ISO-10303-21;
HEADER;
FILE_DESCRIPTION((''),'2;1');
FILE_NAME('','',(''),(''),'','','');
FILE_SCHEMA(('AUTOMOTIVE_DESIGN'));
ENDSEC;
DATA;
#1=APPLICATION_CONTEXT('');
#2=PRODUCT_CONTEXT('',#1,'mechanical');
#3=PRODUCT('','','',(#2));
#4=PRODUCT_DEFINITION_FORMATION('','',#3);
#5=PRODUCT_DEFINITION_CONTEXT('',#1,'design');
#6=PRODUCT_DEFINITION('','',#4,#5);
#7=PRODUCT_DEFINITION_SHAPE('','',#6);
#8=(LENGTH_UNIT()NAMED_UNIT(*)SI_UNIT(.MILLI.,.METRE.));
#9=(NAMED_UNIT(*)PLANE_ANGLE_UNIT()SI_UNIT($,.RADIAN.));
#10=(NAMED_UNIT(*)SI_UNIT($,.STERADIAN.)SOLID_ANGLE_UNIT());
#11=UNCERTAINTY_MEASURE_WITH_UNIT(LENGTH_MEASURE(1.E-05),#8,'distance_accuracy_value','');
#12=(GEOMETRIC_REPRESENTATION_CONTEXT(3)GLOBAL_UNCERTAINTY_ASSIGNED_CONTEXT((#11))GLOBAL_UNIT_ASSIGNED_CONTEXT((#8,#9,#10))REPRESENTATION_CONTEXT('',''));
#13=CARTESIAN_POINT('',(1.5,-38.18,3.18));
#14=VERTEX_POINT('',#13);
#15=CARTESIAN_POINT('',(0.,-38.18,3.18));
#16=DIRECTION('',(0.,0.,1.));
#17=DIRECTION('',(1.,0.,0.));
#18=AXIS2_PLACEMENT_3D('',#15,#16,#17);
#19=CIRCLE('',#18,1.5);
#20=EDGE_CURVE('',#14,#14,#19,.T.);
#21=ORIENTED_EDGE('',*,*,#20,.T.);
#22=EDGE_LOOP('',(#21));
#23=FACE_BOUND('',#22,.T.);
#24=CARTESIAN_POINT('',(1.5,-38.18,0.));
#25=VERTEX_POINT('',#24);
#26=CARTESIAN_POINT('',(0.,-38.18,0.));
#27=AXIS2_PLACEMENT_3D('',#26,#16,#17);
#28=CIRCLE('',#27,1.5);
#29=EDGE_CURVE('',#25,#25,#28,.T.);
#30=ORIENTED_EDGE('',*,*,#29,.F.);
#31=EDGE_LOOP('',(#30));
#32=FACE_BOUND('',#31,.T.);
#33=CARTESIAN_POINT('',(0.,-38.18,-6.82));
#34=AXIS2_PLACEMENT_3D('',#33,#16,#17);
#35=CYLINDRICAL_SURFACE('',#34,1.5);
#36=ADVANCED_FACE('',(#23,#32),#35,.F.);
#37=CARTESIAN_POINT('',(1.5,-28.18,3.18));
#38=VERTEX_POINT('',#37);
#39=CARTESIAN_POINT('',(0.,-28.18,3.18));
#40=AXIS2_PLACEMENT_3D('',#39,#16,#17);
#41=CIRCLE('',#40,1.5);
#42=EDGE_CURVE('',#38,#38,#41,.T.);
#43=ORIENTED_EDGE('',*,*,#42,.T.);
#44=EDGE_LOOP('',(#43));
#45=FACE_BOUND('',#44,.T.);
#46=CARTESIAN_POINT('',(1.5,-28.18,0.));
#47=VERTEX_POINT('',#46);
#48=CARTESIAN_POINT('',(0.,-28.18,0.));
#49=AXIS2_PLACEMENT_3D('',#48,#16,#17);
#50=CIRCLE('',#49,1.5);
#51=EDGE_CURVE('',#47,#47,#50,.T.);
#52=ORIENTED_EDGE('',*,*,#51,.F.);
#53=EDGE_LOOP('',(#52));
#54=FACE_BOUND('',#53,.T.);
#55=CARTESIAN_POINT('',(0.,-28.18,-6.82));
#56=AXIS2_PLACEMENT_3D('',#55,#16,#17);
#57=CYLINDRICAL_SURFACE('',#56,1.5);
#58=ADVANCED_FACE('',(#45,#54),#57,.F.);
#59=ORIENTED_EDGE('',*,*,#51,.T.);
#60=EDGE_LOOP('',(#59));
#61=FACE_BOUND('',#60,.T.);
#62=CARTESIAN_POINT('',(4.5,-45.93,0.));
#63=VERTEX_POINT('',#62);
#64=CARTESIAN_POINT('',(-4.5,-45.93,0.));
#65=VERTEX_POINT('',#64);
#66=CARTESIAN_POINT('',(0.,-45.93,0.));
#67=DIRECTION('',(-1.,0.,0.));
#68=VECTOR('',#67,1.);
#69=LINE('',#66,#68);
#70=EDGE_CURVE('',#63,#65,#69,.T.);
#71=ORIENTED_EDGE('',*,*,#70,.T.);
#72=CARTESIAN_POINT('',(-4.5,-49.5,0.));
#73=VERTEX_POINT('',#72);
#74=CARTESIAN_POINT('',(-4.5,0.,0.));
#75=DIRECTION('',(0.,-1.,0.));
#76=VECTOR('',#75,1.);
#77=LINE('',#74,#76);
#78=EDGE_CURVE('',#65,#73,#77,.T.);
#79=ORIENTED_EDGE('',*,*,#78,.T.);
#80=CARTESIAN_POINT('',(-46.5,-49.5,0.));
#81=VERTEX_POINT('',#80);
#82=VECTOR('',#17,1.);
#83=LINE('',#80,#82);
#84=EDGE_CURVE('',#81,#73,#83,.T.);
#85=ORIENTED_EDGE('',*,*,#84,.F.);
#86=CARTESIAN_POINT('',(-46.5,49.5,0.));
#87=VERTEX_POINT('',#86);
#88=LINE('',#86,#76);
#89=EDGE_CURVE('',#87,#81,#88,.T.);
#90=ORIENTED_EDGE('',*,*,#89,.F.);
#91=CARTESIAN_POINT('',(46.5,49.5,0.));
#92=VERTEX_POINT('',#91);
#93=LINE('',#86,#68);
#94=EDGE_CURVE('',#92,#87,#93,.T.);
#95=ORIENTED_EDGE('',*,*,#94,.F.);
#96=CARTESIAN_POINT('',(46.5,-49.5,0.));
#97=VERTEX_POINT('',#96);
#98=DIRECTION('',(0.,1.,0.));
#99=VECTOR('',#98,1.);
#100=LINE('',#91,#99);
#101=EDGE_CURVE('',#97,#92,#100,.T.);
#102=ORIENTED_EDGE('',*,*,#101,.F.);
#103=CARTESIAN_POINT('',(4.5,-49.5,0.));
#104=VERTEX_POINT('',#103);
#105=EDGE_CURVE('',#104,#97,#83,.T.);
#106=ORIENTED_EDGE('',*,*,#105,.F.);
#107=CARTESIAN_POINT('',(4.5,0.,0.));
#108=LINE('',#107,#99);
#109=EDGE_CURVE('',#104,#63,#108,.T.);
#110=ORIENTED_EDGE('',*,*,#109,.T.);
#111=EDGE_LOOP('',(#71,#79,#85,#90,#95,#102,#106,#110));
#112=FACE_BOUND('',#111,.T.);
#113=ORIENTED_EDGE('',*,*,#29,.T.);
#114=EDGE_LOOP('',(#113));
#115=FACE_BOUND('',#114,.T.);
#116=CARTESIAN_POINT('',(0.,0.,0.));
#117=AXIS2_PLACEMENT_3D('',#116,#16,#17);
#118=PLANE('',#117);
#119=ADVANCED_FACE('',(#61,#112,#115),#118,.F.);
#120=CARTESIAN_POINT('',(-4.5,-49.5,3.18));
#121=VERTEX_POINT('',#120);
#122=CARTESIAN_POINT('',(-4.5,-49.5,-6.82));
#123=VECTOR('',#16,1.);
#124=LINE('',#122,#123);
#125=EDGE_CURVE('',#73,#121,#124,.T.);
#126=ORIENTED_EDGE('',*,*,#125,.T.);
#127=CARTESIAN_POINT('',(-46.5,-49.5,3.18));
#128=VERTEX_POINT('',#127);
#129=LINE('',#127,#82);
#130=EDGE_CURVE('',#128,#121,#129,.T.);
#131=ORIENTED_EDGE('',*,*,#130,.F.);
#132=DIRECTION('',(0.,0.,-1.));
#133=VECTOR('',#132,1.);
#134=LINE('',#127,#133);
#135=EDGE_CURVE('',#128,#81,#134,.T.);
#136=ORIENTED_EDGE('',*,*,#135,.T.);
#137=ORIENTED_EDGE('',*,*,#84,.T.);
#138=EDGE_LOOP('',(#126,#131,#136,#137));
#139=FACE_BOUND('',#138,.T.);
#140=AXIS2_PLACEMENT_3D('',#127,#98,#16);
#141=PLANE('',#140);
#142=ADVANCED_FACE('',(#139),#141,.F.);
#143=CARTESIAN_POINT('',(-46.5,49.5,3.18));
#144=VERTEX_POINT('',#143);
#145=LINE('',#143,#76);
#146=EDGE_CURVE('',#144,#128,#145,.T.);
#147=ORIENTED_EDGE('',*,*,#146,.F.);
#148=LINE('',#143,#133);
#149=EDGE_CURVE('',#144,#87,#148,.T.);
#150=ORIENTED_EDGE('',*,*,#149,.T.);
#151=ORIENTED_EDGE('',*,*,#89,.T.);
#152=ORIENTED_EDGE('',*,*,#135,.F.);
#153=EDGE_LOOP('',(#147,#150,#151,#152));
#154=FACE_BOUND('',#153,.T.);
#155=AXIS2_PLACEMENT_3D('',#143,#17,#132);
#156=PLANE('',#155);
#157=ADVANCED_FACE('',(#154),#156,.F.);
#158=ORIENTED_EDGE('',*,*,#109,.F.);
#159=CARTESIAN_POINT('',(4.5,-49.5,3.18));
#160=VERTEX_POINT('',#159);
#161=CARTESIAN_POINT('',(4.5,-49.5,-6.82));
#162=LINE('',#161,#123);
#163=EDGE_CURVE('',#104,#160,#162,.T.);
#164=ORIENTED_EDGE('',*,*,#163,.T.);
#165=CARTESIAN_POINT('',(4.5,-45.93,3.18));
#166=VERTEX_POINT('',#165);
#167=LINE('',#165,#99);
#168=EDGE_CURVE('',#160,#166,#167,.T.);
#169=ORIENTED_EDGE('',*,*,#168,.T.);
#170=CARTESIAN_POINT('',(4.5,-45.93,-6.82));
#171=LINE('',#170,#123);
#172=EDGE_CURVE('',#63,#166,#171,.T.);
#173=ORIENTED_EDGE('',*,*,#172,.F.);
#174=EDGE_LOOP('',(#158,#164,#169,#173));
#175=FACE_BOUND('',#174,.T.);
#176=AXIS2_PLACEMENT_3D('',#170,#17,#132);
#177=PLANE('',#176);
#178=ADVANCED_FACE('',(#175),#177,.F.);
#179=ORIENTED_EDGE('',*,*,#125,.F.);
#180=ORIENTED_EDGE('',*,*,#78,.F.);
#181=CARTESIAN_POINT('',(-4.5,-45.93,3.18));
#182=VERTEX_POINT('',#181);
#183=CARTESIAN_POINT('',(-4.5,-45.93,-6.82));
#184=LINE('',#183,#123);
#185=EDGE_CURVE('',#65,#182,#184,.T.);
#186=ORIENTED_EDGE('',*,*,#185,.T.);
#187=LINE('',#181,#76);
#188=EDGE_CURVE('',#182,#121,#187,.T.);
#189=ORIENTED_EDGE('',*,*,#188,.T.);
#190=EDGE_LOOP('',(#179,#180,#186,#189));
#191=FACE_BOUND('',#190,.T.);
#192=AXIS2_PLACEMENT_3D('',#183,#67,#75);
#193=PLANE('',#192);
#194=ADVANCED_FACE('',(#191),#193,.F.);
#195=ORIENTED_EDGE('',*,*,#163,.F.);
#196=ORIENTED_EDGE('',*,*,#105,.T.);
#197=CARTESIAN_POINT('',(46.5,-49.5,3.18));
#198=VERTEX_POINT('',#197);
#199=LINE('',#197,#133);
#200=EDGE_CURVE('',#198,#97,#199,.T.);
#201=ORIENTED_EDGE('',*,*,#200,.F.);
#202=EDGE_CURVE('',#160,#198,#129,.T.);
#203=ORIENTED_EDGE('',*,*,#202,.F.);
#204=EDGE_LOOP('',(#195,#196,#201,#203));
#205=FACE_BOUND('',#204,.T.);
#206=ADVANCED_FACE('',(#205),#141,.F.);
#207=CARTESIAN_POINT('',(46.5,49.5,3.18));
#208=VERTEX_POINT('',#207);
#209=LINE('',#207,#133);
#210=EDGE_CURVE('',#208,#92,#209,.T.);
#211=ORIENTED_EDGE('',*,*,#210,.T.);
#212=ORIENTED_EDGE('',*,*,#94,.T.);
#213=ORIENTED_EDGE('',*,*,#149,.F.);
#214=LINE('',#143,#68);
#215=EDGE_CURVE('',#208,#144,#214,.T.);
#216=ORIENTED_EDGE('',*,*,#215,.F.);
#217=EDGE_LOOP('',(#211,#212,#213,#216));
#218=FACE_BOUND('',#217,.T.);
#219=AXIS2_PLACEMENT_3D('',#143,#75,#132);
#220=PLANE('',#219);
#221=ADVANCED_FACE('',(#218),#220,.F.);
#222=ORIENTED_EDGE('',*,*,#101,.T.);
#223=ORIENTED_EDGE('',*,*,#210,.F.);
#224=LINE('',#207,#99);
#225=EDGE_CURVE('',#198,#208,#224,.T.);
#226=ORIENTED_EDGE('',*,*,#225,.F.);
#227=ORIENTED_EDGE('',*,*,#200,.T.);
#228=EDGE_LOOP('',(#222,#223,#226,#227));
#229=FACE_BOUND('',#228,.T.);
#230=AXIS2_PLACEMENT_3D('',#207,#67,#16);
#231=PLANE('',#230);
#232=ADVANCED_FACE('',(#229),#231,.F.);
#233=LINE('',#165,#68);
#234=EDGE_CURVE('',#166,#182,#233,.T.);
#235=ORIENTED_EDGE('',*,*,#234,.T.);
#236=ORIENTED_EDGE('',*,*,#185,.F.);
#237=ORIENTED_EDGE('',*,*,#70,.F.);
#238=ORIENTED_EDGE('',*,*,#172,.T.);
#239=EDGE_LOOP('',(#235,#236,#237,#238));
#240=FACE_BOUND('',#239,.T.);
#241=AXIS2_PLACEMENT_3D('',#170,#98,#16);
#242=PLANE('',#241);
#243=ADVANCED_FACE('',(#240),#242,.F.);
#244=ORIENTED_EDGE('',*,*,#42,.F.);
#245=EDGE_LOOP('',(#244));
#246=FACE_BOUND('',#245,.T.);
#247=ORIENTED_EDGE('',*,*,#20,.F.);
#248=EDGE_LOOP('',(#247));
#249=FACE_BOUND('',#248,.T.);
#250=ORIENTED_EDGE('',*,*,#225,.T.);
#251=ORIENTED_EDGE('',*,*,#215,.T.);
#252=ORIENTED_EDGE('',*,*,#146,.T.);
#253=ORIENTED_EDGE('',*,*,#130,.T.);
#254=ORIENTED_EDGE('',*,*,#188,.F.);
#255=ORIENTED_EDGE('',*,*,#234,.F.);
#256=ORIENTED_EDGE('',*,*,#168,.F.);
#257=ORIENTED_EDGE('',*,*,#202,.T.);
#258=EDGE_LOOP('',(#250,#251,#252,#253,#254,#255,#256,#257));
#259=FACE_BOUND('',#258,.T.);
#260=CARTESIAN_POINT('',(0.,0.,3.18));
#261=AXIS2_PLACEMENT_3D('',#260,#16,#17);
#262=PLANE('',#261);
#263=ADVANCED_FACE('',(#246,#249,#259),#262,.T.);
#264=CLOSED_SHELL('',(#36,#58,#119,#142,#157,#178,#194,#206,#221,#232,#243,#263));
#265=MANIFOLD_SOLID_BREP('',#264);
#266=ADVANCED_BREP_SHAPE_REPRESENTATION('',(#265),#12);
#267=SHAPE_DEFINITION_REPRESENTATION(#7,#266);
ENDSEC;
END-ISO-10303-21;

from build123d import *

# Parameters (mm, degrees)
SKETCH1_W           = 93
SKETCH1_H           = 99
BOSS_EXTRUDE1_DEPTH = 3.18
SKETCH2_R           = 1.5
CUT_EXTRUDE1_DEPTH  = 10
SKETCH3_W           = 9
SKETCH3_H           = 3.57
CUT_EXTRUDE2_DEPTH  = 10


with BuildPart() as part:
    # Sketch1 → Boss-Extrude1 (new body)
    with BuildSketch(Plane.XY):
        Rectangle(SKETCH1_W, SKETCH1_H)
    extrude(amount=BOSS_EXTRUDE1_DEPTH)

    # Sketch2 → Cut-Extrude1 (cut)
    with BuildSketch(Plane.XY.offset(3.18)):
        with Locations((0, -38.18)):
            Circle(SKETCH2_R)
        with Locations((0, -28.18)):
            Circle(SKETCH2_R)
    extrude(amount=-CUT_EXTRUDE1_DEPTH, mode=Mode.SUBTRACT)

    # Sketch3 → Cut-Extrude2 (cut)
    with BuildSketch(Plane.XY.offset(3.18)):
        with Locations((0, -47.715)):
            Rectangle(SKETCH3_W, SKETCH3_H)
    extrude(amount=-CUT_EXTRUDE2_DEPTH, mode=Mode.SUBTRACT)


solid = part.part
